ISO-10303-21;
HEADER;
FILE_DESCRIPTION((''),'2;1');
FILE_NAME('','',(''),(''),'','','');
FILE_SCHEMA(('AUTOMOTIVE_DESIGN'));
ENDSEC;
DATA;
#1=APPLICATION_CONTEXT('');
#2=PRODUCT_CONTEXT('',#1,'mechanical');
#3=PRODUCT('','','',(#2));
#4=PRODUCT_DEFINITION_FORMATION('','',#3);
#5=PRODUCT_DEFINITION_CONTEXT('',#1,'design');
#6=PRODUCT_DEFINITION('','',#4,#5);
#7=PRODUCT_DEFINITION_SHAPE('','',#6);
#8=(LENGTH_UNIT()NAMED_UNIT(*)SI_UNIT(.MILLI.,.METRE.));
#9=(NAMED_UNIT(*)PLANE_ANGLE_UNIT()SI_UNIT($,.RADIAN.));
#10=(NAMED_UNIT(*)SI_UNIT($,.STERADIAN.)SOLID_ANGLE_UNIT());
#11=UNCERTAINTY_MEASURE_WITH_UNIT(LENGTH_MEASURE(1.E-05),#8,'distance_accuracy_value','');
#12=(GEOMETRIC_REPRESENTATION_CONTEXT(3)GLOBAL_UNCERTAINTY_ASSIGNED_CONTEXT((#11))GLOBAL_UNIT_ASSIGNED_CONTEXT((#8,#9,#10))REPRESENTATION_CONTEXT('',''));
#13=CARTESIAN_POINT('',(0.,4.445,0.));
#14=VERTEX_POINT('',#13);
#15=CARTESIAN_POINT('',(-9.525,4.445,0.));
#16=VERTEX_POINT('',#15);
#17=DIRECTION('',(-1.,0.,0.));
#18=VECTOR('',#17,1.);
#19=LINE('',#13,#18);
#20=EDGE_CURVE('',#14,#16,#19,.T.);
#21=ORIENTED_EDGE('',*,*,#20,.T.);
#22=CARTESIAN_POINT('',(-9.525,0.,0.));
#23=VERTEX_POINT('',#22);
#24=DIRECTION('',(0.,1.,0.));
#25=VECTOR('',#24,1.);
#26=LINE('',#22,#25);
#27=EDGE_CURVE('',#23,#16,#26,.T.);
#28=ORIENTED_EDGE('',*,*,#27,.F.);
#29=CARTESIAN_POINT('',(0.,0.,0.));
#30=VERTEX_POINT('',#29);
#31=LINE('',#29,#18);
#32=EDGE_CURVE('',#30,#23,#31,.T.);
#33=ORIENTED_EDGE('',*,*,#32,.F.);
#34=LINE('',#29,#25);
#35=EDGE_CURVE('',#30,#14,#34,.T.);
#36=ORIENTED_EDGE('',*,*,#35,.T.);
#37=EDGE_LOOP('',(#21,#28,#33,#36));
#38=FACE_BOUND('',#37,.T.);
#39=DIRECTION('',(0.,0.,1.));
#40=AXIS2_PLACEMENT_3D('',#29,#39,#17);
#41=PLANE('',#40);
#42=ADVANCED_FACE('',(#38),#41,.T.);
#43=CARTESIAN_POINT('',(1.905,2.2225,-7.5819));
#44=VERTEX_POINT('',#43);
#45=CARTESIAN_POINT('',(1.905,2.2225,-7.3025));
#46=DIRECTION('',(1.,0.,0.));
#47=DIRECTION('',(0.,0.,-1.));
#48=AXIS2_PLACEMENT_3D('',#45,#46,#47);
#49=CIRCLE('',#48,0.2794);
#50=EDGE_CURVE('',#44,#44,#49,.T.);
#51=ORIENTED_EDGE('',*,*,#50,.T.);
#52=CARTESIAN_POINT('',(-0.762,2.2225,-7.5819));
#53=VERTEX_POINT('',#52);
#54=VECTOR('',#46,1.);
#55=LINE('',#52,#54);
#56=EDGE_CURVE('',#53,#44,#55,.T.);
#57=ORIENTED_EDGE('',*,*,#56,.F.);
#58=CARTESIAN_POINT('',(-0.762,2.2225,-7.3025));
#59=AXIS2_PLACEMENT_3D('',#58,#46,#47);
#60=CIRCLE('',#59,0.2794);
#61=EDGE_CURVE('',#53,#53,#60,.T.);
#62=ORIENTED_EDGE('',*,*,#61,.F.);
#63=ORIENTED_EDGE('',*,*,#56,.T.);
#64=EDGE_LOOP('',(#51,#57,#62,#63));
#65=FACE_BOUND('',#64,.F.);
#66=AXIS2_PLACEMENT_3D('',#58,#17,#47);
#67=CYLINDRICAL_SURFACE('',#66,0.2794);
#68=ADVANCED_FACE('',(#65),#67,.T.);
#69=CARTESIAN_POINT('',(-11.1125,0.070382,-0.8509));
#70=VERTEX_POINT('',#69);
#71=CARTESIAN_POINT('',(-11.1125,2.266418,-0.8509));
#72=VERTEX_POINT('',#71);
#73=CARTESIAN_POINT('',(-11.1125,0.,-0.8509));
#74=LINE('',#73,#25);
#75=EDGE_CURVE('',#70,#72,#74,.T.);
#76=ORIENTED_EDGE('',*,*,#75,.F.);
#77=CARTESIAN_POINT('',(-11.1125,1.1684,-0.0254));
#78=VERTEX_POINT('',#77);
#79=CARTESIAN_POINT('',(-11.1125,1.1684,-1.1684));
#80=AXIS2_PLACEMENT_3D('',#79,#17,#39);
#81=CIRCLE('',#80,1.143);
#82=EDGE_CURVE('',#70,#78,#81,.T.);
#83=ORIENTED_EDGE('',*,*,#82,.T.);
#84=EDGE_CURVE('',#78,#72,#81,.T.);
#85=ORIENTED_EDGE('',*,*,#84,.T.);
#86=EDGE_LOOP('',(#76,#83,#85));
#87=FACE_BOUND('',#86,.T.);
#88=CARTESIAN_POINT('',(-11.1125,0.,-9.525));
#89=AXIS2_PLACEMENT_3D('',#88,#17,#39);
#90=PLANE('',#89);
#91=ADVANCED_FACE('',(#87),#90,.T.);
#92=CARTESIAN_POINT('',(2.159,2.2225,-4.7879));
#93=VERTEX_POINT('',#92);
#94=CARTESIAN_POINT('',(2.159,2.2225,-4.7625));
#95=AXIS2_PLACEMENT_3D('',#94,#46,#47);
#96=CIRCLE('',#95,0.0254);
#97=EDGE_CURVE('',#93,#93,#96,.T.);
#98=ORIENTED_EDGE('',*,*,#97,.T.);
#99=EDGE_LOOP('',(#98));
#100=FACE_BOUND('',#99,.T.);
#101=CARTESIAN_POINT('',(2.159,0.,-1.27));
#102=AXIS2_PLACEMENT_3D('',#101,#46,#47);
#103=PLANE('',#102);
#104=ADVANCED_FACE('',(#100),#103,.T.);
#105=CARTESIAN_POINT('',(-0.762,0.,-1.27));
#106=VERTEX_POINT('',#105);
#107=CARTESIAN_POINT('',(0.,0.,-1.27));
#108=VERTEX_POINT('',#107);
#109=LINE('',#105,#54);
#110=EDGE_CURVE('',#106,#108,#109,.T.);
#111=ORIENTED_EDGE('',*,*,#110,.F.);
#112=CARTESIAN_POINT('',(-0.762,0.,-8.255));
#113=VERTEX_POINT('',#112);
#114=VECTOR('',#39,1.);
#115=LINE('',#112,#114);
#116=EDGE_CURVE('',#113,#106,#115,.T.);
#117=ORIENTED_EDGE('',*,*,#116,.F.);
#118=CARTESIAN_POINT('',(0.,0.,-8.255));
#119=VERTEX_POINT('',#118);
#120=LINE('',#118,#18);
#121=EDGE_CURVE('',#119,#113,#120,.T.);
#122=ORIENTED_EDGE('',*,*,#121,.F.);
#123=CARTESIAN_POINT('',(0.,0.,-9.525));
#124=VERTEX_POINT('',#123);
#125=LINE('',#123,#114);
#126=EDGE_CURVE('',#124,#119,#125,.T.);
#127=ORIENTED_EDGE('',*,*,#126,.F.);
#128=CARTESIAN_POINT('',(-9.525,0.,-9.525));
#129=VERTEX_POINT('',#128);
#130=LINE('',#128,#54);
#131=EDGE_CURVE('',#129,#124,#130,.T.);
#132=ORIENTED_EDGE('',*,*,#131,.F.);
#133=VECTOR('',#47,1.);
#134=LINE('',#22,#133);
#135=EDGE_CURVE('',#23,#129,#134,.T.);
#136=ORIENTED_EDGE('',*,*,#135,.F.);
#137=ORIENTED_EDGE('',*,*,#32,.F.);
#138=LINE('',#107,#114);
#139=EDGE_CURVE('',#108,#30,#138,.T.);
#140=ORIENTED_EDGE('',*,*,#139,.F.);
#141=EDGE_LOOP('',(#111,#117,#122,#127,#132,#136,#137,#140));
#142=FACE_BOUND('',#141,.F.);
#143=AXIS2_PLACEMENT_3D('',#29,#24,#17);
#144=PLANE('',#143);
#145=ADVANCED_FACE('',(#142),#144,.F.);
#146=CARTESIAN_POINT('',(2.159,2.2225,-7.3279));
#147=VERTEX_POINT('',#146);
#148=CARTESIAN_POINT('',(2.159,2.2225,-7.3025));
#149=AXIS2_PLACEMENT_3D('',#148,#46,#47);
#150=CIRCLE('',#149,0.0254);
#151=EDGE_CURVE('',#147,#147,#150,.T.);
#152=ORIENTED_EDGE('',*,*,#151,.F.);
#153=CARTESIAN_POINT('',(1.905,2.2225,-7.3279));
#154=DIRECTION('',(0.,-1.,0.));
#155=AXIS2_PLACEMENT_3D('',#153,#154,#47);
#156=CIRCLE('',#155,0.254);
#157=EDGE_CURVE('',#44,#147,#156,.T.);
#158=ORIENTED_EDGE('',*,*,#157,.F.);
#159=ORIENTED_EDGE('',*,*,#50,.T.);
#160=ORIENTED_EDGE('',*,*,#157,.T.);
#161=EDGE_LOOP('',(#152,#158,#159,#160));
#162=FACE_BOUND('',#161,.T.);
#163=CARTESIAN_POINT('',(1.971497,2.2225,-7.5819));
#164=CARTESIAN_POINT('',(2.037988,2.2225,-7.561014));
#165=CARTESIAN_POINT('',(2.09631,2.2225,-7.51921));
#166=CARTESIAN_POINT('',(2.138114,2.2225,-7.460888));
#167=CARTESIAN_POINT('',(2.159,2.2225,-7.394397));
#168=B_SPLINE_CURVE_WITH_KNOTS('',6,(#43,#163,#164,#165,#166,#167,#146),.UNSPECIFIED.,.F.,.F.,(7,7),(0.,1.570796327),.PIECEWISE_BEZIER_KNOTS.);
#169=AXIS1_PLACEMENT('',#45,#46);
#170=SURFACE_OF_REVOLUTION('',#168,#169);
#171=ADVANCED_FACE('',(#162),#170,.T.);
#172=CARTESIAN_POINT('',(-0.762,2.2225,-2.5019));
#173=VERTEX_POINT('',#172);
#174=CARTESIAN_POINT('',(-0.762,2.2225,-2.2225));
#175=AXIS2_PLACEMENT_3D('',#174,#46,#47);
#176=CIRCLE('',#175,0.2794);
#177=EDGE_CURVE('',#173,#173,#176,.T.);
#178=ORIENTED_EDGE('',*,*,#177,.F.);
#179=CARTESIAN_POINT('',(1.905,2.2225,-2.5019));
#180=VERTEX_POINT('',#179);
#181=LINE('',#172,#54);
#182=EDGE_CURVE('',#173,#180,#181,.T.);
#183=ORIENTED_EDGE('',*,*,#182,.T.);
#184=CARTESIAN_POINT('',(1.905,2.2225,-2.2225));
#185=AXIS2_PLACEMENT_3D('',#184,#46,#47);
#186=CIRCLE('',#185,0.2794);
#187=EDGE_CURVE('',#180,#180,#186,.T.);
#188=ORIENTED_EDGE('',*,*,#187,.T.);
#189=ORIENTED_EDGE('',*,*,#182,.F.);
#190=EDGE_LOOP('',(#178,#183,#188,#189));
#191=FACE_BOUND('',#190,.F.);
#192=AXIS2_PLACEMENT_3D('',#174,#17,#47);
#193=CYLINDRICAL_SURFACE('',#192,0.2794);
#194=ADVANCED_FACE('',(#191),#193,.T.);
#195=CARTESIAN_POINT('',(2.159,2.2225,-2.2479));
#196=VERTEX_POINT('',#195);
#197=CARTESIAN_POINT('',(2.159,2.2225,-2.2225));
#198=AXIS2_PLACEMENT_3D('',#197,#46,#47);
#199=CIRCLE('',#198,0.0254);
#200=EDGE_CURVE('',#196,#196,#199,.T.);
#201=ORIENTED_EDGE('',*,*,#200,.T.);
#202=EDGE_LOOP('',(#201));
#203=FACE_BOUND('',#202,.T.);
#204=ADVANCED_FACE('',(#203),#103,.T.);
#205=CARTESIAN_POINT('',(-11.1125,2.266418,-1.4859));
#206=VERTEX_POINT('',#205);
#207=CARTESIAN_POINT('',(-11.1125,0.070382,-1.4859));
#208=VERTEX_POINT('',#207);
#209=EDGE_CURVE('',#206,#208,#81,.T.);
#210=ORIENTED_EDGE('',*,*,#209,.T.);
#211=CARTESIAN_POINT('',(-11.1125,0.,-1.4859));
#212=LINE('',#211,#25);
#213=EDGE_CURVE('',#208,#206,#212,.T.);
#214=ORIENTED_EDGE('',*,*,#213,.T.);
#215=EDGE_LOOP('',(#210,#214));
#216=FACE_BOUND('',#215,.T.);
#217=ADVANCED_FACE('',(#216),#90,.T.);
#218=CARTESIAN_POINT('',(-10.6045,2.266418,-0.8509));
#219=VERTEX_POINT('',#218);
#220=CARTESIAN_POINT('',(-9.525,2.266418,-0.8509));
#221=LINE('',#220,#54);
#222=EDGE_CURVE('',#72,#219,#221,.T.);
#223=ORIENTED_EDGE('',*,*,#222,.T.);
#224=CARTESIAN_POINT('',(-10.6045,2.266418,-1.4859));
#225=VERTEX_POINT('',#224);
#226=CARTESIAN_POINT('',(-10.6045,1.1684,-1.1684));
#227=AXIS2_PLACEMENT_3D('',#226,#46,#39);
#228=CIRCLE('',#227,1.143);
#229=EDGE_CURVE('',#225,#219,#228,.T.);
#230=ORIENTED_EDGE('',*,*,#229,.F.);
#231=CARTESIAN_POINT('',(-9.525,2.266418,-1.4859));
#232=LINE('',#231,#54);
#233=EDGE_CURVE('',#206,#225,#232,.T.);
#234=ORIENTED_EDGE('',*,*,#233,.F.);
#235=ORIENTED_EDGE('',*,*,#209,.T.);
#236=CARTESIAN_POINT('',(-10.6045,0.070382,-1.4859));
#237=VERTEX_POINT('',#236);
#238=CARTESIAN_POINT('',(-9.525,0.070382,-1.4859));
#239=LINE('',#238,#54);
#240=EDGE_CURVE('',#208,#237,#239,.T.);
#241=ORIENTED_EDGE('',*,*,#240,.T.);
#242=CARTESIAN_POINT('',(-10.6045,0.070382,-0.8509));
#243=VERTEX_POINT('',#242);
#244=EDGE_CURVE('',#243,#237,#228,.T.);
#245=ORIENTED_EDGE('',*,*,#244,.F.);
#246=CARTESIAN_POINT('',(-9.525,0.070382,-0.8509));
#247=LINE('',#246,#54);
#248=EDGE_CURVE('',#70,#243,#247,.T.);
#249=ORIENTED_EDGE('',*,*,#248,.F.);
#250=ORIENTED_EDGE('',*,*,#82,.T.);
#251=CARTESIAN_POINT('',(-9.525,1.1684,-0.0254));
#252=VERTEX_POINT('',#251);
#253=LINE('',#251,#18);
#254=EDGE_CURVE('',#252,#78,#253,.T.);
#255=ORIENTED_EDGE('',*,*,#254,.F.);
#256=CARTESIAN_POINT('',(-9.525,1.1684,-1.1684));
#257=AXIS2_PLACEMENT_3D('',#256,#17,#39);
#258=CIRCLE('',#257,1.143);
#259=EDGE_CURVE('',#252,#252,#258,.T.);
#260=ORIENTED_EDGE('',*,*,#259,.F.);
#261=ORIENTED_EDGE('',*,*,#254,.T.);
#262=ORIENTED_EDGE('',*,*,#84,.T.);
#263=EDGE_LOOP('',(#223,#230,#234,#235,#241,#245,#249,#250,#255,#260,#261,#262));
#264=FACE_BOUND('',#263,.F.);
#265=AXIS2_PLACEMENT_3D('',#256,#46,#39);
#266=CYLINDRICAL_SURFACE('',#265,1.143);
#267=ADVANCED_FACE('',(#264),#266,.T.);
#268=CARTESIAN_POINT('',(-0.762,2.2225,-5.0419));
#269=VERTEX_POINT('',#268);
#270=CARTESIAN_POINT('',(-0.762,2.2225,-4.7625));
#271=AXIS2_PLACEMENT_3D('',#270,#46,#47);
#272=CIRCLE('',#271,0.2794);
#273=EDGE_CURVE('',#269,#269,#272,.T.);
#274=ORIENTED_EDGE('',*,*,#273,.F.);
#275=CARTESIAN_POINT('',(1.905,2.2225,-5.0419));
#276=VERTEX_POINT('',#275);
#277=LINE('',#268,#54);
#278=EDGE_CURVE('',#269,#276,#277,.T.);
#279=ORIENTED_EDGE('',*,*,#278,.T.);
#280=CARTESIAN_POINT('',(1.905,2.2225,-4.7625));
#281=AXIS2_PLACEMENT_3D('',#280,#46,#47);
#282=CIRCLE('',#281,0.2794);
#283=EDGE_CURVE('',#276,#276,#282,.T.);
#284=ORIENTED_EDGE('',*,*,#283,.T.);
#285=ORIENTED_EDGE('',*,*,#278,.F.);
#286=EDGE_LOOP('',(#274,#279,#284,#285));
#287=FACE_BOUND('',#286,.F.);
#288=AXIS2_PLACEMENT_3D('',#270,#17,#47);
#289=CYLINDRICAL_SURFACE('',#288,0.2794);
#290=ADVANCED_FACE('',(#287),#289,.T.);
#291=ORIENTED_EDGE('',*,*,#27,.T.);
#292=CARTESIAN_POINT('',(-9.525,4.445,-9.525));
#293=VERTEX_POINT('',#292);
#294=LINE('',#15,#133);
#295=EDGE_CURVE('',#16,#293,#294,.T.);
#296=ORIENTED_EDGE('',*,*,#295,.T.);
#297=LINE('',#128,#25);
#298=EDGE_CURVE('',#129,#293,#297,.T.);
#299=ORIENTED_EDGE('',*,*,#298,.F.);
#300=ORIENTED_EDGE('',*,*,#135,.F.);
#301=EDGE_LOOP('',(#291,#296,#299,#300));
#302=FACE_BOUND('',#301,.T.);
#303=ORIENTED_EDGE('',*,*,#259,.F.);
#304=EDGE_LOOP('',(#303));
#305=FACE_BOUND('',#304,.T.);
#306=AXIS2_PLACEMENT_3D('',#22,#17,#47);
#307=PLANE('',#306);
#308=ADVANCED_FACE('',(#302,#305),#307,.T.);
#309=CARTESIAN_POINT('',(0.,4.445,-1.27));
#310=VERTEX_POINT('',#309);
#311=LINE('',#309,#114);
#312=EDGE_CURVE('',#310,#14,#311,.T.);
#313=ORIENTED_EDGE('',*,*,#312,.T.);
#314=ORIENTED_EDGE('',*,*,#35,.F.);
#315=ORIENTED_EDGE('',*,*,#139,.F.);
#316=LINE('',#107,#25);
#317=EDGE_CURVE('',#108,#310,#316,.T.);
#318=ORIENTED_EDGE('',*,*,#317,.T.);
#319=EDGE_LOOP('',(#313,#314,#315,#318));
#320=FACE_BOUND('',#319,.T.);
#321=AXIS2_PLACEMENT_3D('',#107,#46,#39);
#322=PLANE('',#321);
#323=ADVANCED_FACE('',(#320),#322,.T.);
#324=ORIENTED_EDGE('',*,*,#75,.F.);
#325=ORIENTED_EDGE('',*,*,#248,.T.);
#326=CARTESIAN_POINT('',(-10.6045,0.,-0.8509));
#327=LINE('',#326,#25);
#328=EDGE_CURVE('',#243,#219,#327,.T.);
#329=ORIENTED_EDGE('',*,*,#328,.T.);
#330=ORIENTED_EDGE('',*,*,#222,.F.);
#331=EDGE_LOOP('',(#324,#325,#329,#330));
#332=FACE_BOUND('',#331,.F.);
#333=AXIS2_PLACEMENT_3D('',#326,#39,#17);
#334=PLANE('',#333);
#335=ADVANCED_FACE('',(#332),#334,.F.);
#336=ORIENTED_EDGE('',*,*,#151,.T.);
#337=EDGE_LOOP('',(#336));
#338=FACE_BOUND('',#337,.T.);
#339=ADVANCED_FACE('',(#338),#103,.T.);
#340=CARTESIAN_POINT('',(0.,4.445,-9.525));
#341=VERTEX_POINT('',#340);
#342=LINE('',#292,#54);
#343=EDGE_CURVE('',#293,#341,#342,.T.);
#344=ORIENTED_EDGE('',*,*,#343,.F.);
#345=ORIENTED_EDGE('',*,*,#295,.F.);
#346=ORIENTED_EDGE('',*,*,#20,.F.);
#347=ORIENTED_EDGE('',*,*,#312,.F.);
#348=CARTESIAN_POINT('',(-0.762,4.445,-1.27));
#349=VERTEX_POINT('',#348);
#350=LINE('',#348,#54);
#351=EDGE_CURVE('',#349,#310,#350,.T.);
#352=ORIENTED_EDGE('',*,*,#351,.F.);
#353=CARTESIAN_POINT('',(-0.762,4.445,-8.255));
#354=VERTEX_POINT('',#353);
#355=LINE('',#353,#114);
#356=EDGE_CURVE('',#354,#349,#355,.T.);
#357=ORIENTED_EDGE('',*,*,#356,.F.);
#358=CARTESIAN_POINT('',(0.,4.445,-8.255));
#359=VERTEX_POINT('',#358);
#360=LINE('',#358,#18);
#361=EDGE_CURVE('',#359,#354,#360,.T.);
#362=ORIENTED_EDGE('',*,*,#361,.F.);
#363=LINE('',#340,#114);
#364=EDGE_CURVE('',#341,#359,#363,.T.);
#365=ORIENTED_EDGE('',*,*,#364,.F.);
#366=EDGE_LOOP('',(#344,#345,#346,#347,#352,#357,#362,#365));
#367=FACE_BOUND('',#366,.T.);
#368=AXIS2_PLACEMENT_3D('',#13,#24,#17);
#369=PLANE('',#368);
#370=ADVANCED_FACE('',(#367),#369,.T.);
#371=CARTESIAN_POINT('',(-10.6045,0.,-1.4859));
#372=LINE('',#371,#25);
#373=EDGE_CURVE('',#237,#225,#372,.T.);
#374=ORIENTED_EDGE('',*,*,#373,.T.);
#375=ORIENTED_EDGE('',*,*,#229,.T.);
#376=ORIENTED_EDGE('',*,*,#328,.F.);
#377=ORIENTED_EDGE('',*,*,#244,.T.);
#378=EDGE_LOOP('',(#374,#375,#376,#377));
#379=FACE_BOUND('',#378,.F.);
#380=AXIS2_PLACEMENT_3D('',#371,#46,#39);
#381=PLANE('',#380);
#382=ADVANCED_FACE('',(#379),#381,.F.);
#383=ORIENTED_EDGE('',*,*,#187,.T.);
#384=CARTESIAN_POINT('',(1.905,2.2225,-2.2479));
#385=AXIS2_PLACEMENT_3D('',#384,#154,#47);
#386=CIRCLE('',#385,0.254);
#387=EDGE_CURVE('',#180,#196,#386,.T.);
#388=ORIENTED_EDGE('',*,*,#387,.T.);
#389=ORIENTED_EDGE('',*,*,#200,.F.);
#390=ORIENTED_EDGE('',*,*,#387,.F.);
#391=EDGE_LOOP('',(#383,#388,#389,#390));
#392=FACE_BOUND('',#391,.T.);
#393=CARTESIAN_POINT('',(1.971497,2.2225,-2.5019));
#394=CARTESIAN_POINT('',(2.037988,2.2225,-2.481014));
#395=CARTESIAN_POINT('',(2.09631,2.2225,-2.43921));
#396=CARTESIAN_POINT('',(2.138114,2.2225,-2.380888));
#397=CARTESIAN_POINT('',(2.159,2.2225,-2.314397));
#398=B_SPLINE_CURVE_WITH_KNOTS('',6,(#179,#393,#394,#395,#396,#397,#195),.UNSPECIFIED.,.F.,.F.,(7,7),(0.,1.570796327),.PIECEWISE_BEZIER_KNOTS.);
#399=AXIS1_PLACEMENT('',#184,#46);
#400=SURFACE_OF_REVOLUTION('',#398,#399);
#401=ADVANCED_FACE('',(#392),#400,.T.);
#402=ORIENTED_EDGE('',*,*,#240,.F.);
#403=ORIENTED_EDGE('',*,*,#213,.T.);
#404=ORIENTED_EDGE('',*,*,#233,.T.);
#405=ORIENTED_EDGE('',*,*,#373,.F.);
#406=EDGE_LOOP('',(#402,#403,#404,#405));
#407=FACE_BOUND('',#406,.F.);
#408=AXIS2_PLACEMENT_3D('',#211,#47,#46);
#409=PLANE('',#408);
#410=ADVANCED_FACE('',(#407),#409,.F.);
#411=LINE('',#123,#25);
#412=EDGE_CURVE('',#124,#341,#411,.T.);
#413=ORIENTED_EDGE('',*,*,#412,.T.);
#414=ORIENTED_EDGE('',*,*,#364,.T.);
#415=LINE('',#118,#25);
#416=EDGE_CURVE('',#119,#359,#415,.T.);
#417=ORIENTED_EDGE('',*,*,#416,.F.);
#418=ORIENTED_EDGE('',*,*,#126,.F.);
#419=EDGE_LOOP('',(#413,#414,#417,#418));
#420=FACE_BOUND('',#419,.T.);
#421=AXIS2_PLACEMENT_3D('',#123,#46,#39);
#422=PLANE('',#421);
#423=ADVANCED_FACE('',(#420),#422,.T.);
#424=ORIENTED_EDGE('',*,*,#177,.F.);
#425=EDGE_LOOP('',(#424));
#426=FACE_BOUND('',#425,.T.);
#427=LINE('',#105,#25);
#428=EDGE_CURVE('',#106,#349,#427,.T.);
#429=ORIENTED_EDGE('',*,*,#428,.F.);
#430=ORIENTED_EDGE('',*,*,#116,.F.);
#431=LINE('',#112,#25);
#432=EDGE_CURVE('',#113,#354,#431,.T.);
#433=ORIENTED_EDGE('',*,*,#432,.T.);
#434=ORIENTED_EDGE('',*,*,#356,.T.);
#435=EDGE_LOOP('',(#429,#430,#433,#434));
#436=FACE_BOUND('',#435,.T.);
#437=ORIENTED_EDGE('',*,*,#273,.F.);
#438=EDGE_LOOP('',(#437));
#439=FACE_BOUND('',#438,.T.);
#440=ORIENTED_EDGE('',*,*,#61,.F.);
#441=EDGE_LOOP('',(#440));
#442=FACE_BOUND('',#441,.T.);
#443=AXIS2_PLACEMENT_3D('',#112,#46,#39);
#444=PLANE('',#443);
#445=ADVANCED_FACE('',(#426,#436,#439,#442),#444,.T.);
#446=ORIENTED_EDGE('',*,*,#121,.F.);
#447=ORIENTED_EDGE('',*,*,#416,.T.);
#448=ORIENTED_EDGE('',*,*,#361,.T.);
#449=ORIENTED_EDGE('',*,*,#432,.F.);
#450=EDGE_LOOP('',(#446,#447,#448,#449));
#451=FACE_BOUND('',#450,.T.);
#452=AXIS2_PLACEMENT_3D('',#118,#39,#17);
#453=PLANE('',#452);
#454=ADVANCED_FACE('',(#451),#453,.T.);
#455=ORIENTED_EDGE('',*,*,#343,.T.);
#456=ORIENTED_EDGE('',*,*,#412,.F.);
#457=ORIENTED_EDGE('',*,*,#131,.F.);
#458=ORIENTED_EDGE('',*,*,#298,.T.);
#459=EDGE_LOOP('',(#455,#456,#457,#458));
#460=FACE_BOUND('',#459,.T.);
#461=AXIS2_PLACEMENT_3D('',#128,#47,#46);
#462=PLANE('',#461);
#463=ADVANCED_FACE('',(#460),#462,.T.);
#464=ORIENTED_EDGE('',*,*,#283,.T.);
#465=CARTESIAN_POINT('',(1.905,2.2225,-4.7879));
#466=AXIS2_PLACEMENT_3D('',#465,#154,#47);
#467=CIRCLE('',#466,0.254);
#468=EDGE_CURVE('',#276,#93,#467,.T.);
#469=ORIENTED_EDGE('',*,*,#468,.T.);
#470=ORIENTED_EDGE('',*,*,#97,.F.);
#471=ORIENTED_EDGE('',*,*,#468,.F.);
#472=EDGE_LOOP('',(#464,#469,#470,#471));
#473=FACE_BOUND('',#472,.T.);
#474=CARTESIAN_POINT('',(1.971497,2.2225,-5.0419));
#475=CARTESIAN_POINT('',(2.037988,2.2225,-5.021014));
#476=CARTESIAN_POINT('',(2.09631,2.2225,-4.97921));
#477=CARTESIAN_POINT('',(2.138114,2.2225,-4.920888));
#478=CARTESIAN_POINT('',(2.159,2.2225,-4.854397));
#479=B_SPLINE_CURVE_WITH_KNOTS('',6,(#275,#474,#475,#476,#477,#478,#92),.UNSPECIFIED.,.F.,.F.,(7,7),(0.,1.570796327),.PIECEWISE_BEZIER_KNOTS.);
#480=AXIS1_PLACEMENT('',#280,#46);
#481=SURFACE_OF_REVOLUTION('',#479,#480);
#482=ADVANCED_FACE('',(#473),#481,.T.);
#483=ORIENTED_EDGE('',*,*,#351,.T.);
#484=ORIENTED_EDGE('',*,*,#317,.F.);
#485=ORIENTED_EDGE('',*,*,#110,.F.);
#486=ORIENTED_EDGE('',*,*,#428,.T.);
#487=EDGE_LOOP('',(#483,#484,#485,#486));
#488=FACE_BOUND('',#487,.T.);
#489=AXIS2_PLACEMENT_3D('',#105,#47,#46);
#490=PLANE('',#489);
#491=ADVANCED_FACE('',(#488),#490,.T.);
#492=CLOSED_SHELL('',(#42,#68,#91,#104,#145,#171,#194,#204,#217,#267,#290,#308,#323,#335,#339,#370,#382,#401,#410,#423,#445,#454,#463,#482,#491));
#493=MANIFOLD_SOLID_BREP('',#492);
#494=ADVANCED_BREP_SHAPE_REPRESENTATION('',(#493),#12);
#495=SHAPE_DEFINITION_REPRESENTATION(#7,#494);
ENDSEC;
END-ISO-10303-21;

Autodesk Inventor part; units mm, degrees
ref_plane "YZ Plane" through (0, 0, 0) normal (1, 0, 0) x (0, 1, 0)
ref_plane "XZ Plane" through (0, 0, 0) normal (0, 1, 0) x (-1, 0, 0)
ref_plane "XY Plane" through (0, 0, 0) normal (0, 0, 1) x (1, 0, 0)
sketch "Sketch1" plane through (0, 0, 0) normal (0, 1, 0) x (-1, 0, 0)
  line L0 (0, 0) -> (9.525, 0)
  line L1 (9.525, 0) -> (9.525, -9.525)
  line L2 (9.525, -9.525) -> (0, -9.525)
  line L3 (0, -9.525) -> (0, -8.255)
  line L4 (0, -8.255) -> (0.762, -8.255)
  line L5 (0.762, -8.255) -> (0.762, -1.27)
  line L6 (0.762, -1.27) -> (0, -1.27)
  line L7 (0, -1.27) -> (0, 0)
  dimension "d0" = 9.525
  dimension "d1" = 9.525
  dimension "d2" = 6.985
  dimension "d3" = 0.762
extrude "Extrusion1" add sketch "Sketch1" along normal blind 4.445
sketch "Sketch2" plane through (-0.762, 0, -1.27) normal (1, 0, 0) x (0, 0, -1)
  circle A0 centre (3.4925, 2.2225) radius 0.2794
  circle A1 centre (0.9525, 2.2225) radius 0.2794
  circle A2 centre (6.0325, 2.2225) radius 0.2794
  line L0 (0, 4.445) -> (6.985, 4.445) construction
  line L1 (0, 0) -> (0, 4.445) construction
  point P0 (-1.27, 0)
  point P1 (3.4925, 4.445)
  point P2 (0, 2.2225)
  dimension "d6" = 0.5588
  dimension "d7" = 2.54
  dimension "d8" = 2.54
extrude "Extrusion2" add sketch "Sketch2" along normal blind 2.921
sketch "Sketch3" plane through (-9.525, 0, -9.525) normal (-1, 0, 0) x (0, 0, 1)
  circle A0 centre (8.3566, 1.1684) radius 1.143
  line L0 (9.525, 0) -> (0, 0) projected
  line L1 (9.525, 0) -> (9.525, 4.445) projected
  dimension "d11" = 2.286
  dimension "d12" = 1.1684
  dimension "d13" = 1.1684
extrude "Extrusion3" add sketch "Sketch3" along normal blind 1.5875
sketch "Sketch4" plane through (0, 0, 0) normal (0, -1, 0) x (1, 0, 0)
  line L0 (-11.1125, -1.4859) -> (-10.6045, -1.4859)
  line L1 (-10.6045, -1.4859) -> (-10.6045, -0.8509)
  line L2 (-10.6045, -0.8509) -> (-11.1125, -0.8509)
  line L3 (-11.1125, -0.8509) -> (-11.1125, -1.4859)
  line L4 (-11.1125, -0.0254) -> (-11.1125, -2.3114) projected
  point P0 (0, 0)
  point P1 (-11.1125, -1.1684)
  dimension "d16" = 0.508
  dimension "d17" = 0.635
extrude "Extrusion4" cut sketch "Sketch4" against normal through all
fillet "Fillet1" radius 0.254 3 edges at (2.159, 2.2225, -7.0231) (2.159, 2.2225, -4.4831) (2.159, 2.2225, -1.9431)
equation "\"d8\" = d7"
equation "\"d13\" = d12"
properties part number "Precision Trim Pot - baoter 3296"
